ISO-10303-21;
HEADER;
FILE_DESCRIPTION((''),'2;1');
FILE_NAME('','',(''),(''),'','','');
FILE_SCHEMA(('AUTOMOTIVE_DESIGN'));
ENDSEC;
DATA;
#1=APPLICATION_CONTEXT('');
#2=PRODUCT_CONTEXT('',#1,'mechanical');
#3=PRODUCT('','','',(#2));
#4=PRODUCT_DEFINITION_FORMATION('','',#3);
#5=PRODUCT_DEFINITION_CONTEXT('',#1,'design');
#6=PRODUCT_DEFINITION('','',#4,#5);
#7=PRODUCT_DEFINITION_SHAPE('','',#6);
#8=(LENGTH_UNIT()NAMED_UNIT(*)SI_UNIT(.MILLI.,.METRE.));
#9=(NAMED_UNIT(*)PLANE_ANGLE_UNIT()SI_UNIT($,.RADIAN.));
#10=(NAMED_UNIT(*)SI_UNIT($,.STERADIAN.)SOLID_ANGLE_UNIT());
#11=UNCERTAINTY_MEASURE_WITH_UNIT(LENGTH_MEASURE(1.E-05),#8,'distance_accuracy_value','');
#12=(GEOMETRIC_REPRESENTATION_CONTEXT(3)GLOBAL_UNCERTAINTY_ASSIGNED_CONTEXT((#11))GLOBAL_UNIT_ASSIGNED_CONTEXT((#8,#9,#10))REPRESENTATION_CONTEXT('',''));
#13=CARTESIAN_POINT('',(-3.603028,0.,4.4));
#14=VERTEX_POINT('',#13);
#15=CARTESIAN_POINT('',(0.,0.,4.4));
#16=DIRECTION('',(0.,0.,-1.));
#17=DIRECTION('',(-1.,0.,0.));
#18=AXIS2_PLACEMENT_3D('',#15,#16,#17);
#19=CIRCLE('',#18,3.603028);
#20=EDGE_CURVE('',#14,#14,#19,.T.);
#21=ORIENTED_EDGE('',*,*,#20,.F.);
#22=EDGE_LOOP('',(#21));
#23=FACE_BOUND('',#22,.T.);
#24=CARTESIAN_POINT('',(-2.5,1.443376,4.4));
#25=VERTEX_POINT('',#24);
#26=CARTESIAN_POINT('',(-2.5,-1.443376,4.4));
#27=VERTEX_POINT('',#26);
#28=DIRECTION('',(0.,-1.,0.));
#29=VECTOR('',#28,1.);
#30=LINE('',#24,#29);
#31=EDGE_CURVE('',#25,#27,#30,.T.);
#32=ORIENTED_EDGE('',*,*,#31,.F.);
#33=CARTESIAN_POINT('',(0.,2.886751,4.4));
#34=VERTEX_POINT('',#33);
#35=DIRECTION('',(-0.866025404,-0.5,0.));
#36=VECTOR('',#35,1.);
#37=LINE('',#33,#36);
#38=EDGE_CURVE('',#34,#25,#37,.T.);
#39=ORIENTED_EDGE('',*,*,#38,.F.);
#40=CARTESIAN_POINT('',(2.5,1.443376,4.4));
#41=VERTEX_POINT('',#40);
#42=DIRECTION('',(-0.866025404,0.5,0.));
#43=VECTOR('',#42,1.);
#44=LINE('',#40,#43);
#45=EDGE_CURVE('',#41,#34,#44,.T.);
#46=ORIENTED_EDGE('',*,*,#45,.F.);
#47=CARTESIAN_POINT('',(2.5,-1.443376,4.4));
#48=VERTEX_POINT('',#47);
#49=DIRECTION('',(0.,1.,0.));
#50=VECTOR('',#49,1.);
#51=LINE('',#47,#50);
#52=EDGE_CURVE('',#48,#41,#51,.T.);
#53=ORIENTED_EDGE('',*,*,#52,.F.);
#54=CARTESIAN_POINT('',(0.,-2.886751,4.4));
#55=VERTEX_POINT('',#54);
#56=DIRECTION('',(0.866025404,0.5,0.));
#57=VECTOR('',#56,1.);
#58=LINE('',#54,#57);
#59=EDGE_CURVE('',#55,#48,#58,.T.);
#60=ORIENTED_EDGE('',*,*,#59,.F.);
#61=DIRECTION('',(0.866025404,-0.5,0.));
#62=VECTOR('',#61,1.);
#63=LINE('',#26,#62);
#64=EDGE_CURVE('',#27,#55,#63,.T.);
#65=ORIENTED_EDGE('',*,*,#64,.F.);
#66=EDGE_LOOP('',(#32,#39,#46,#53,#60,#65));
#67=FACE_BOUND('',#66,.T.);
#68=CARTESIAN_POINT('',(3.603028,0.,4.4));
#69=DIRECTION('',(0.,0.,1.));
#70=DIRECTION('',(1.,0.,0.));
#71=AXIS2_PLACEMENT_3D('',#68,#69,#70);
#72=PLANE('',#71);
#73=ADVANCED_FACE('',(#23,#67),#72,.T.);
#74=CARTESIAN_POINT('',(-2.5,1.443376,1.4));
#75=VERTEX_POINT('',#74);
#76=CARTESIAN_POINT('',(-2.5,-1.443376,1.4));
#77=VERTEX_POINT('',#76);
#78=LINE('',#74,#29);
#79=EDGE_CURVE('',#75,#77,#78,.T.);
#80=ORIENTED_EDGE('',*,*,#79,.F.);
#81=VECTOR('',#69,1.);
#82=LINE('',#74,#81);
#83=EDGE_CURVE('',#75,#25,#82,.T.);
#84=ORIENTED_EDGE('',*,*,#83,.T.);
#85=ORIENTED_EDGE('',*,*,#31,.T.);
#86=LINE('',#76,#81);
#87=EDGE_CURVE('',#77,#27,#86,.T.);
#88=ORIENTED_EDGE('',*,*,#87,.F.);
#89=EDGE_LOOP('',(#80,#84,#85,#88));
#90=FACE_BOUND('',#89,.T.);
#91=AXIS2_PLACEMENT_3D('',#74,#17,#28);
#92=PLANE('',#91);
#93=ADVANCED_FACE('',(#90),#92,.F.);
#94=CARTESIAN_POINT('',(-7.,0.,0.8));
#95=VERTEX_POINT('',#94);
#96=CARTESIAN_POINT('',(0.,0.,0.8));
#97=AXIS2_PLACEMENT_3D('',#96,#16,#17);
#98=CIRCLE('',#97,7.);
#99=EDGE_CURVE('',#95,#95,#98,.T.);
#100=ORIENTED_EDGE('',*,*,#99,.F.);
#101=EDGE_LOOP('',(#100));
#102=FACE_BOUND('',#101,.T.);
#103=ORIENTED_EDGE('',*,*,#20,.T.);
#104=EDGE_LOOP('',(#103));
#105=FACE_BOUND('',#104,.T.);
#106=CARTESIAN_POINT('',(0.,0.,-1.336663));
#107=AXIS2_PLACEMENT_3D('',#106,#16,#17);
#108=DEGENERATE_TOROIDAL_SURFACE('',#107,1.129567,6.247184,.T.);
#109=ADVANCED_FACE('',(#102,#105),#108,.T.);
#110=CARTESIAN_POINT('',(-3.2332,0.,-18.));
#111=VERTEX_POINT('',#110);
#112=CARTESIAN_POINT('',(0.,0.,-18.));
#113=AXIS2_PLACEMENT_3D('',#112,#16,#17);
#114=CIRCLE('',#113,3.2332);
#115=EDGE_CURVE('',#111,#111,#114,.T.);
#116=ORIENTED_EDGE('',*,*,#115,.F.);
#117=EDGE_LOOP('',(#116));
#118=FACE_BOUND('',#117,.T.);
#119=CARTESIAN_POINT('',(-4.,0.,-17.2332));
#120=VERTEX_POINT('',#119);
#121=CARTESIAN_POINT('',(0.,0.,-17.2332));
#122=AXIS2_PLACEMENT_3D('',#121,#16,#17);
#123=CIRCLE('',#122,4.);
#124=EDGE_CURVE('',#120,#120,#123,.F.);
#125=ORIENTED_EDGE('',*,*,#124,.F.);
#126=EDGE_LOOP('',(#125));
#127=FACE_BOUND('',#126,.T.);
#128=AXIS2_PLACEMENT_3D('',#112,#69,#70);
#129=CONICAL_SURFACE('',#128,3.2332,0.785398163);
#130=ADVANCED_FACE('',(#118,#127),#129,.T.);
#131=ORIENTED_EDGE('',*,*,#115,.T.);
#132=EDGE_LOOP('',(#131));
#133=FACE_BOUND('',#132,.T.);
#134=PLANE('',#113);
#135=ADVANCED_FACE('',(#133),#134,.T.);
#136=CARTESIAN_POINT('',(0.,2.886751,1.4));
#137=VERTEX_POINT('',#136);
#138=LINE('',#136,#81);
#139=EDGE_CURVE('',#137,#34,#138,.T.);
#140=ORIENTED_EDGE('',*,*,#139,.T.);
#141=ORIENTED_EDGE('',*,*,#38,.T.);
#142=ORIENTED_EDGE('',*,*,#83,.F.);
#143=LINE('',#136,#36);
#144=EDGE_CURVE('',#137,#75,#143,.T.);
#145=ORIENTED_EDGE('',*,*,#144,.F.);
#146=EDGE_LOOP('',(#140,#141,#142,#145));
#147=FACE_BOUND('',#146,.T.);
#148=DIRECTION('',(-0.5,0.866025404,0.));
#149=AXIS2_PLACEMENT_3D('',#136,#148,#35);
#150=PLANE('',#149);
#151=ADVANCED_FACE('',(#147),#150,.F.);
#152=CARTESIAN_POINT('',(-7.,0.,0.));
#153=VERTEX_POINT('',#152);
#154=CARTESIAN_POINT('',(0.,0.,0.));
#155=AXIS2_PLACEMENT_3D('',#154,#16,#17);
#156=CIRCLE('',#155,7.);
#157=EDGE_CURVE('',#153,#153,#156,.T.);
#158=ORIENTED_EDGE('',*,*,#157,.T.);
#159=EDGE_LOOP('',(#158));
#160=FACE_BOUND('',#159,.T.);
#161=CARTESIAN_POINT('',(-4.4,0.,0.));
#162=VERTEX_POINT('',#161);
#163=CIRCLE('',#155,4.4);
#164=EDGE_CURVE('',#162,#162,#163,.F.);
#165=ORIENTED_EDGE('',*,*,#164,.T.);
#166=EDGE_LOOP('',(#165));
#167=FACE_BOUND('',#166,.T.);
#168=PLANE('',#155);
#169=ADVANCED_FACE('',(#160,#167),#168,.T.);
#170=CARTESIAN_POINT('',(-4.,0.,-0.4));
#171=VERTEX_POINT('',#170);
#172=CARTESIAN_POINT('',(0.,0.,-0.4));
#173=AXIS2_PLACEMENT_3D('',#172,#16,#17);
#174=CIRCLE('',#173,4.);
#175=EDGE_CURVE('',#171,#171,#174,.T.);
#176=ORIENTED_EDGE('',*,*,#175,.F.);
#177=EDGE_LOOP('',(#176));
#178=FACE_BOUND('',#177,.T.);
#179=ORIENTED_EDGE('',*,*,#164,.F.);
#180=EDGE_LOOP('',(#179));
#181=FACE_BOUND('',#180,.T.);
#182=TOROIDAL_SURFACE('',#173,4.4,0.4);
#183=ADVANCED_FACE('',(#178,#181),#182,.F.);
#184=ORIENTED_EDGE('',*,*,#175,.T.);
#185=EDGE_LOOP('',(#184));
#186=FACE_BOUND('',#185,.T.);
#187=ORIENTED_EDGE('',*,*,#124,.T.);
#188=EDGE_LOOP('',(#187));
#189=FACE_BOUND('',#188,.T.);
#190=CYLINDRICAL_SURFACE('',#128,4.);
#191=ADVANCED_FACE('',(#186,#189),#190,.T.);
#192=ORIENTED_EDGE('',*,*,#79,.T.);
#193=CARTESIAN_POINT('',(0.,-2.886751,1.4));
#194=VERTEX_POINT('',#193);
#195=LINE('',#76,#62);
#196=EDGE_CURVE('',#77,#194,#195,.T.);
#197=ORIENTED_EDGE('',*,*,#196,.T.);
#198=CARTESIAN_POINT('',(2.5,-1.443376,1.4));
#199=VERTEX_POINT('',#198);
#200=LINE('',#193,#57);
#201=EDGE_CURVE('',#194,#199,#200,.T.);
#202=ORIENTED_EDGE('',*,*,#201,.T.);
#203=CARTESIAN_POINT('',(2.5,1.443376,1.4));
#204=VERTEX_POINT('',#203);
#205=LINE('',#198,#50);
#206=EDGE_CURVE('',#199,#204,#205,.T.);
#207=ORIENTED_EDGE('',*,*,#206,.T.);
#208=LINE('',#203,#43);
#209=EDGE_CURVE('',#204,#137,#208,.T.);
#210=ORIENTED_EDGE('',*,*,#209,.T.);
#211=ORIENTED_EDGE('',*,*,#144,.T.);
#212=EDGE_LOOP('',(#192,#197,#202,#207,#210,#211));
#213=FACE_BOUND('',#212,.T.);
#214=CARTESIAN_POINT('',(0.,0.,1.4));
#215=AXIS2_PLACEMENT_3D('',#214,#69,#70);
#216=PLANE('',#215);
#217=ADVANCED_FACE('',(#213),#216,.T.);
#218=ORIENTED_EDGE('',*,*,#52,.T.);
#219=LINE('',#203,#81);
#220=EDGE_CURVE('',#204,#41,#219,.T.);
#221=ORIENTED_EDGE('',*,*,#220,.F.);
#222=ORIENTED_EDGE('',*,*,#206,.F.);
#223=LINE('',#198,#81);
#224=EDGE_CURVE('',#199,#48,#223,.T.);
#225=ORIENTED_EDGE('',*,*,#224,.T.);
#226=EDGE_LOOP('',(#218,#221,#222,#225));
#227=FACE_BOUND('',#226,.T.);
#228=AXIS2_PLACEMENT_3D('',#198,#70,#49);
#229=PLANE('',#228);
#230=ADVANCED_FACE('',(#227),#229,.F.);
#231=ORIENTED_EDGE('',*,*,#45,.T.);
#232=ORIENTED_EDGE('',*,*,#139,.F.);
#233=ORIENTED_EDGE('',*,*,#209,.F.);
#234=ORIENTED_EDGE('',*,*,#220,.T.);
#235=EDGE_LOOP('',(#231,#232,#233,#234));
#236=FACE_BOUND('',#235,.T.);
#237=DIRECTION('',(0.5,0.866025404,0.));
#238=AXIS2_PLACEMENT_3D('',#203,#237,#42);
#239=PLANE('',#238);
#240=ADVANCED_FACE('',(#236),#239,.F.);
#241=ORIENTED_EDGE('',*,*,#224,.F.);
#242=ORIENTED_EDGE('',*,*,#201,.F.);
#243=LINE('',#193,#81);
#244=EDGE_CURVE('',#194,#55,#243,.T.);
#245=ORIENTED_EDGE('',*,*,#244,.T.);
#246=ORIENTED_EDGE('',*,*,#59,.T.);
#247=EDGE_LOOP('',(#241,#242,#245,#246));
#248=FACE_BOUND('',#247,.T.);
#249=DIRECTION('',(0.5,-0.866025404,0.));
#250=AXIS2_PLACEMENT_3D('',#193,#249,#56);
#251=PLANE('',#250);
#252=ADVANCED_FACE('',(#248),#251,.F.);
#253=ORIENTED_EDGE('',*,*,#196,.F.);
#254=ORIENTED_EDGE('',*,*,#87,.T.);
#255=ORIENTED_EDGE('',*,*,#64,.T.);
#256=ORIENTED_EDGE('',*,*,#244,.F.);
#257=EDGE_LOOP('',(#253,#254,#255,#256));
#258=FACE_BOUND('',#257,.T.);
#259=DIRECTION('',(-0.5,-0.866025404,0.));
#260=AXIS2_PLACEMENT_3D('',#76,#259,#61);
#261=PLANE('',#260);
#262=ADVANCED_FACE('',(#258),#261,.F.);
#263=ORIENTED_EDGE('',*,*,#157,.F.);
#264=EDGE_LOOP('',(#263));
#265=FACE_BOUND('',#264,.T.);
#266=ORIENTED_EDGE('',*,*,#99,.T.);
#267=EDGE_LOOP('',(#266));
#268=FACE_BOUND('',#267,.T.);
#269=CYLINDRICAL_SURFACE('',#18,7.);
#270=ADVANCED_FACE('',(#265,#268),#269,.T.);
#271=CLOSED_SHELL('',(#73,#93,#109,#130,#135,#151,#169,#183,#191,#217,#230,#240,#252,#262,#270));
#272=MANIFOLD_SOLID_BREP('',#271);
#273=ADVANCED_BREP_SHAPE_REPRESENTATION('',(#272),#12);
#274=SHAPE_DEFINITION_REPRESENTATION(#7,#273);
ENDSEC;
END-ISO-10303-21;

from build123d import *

# Parameters (mm, degrees)
SKETCH2_R           = 4
BOSS_EXTRUDE1_DEPTH = 18
CUT_EXTRUDE1_DEPTH  = 3
CHAMFER1_SIZE       = 0.7668
FILLET1_R           = 0.4


with BuildPart() as part:
    # Sketch1 → Revolve1 (revolve)
    with BuildSketch(Plane.XZ, mode=Mode.PRIVATE) as revolve1_sk:
        with BuildLine():
            Line((3.603028, 4.4), (0, 4.4))
            Line((0, 4.4), (0, 0))
            Line((0, 0), (7, 0))
            Line((7, 0), (7, 0.8))
            ThreePointArc((7, 0.8), (5.673259557, 2.950780347), (3.603028, 4.4))
        make_face()
    revolve(revolve1_sk.sketch.rotate(Axis((0, 0, 4.4), (0, 0, -1)), 180), axis=Axis((0, 0, 4.4), (0, 0, -1)))

    # Sketch2 → Boss-Extrude1 (add)
    with BuildSketch(Plane(origin=(0, 0, 0), x_dir=(-1, 0, 0), z_dir=(0, 0, -1))):
        Circle(SKETCH2_R)
    extrude(amount=BOSS_EXTRUDE1_DEPTH)

    # Sketch3 → Cut-Extrude1 (cut)
    with BuildSketch(Plane.XY.offset(4.4)):
        Polygon((2.5, -1.443375673), (2.5, 1.443375673), (0, 2.886751346), (-2.5, 1.443375673), (-2.5, -1.443375673), (0, -2.886751346), align=None)
    extrude(amount=-CUT_EXTRUDE1_DEPTH, mode=Mode.SUBTRACT)

    # Chamfer1
    chamfer1_edges = [part.edges().sort_by_distance(p)[0] for p in [
        (4, 0, -18),
    ]]
    chamfer(chamfer1_edges, length=CHAMFER1_SIZE)

    # Fillet1
    fillet1_edges = [part.edges().sort_by_distance(p)[0] for p in [
        (4, 0, 0),
    ]]
    fillet(fillet1_edges, radius=FILLET1_R)


solid = part.part
